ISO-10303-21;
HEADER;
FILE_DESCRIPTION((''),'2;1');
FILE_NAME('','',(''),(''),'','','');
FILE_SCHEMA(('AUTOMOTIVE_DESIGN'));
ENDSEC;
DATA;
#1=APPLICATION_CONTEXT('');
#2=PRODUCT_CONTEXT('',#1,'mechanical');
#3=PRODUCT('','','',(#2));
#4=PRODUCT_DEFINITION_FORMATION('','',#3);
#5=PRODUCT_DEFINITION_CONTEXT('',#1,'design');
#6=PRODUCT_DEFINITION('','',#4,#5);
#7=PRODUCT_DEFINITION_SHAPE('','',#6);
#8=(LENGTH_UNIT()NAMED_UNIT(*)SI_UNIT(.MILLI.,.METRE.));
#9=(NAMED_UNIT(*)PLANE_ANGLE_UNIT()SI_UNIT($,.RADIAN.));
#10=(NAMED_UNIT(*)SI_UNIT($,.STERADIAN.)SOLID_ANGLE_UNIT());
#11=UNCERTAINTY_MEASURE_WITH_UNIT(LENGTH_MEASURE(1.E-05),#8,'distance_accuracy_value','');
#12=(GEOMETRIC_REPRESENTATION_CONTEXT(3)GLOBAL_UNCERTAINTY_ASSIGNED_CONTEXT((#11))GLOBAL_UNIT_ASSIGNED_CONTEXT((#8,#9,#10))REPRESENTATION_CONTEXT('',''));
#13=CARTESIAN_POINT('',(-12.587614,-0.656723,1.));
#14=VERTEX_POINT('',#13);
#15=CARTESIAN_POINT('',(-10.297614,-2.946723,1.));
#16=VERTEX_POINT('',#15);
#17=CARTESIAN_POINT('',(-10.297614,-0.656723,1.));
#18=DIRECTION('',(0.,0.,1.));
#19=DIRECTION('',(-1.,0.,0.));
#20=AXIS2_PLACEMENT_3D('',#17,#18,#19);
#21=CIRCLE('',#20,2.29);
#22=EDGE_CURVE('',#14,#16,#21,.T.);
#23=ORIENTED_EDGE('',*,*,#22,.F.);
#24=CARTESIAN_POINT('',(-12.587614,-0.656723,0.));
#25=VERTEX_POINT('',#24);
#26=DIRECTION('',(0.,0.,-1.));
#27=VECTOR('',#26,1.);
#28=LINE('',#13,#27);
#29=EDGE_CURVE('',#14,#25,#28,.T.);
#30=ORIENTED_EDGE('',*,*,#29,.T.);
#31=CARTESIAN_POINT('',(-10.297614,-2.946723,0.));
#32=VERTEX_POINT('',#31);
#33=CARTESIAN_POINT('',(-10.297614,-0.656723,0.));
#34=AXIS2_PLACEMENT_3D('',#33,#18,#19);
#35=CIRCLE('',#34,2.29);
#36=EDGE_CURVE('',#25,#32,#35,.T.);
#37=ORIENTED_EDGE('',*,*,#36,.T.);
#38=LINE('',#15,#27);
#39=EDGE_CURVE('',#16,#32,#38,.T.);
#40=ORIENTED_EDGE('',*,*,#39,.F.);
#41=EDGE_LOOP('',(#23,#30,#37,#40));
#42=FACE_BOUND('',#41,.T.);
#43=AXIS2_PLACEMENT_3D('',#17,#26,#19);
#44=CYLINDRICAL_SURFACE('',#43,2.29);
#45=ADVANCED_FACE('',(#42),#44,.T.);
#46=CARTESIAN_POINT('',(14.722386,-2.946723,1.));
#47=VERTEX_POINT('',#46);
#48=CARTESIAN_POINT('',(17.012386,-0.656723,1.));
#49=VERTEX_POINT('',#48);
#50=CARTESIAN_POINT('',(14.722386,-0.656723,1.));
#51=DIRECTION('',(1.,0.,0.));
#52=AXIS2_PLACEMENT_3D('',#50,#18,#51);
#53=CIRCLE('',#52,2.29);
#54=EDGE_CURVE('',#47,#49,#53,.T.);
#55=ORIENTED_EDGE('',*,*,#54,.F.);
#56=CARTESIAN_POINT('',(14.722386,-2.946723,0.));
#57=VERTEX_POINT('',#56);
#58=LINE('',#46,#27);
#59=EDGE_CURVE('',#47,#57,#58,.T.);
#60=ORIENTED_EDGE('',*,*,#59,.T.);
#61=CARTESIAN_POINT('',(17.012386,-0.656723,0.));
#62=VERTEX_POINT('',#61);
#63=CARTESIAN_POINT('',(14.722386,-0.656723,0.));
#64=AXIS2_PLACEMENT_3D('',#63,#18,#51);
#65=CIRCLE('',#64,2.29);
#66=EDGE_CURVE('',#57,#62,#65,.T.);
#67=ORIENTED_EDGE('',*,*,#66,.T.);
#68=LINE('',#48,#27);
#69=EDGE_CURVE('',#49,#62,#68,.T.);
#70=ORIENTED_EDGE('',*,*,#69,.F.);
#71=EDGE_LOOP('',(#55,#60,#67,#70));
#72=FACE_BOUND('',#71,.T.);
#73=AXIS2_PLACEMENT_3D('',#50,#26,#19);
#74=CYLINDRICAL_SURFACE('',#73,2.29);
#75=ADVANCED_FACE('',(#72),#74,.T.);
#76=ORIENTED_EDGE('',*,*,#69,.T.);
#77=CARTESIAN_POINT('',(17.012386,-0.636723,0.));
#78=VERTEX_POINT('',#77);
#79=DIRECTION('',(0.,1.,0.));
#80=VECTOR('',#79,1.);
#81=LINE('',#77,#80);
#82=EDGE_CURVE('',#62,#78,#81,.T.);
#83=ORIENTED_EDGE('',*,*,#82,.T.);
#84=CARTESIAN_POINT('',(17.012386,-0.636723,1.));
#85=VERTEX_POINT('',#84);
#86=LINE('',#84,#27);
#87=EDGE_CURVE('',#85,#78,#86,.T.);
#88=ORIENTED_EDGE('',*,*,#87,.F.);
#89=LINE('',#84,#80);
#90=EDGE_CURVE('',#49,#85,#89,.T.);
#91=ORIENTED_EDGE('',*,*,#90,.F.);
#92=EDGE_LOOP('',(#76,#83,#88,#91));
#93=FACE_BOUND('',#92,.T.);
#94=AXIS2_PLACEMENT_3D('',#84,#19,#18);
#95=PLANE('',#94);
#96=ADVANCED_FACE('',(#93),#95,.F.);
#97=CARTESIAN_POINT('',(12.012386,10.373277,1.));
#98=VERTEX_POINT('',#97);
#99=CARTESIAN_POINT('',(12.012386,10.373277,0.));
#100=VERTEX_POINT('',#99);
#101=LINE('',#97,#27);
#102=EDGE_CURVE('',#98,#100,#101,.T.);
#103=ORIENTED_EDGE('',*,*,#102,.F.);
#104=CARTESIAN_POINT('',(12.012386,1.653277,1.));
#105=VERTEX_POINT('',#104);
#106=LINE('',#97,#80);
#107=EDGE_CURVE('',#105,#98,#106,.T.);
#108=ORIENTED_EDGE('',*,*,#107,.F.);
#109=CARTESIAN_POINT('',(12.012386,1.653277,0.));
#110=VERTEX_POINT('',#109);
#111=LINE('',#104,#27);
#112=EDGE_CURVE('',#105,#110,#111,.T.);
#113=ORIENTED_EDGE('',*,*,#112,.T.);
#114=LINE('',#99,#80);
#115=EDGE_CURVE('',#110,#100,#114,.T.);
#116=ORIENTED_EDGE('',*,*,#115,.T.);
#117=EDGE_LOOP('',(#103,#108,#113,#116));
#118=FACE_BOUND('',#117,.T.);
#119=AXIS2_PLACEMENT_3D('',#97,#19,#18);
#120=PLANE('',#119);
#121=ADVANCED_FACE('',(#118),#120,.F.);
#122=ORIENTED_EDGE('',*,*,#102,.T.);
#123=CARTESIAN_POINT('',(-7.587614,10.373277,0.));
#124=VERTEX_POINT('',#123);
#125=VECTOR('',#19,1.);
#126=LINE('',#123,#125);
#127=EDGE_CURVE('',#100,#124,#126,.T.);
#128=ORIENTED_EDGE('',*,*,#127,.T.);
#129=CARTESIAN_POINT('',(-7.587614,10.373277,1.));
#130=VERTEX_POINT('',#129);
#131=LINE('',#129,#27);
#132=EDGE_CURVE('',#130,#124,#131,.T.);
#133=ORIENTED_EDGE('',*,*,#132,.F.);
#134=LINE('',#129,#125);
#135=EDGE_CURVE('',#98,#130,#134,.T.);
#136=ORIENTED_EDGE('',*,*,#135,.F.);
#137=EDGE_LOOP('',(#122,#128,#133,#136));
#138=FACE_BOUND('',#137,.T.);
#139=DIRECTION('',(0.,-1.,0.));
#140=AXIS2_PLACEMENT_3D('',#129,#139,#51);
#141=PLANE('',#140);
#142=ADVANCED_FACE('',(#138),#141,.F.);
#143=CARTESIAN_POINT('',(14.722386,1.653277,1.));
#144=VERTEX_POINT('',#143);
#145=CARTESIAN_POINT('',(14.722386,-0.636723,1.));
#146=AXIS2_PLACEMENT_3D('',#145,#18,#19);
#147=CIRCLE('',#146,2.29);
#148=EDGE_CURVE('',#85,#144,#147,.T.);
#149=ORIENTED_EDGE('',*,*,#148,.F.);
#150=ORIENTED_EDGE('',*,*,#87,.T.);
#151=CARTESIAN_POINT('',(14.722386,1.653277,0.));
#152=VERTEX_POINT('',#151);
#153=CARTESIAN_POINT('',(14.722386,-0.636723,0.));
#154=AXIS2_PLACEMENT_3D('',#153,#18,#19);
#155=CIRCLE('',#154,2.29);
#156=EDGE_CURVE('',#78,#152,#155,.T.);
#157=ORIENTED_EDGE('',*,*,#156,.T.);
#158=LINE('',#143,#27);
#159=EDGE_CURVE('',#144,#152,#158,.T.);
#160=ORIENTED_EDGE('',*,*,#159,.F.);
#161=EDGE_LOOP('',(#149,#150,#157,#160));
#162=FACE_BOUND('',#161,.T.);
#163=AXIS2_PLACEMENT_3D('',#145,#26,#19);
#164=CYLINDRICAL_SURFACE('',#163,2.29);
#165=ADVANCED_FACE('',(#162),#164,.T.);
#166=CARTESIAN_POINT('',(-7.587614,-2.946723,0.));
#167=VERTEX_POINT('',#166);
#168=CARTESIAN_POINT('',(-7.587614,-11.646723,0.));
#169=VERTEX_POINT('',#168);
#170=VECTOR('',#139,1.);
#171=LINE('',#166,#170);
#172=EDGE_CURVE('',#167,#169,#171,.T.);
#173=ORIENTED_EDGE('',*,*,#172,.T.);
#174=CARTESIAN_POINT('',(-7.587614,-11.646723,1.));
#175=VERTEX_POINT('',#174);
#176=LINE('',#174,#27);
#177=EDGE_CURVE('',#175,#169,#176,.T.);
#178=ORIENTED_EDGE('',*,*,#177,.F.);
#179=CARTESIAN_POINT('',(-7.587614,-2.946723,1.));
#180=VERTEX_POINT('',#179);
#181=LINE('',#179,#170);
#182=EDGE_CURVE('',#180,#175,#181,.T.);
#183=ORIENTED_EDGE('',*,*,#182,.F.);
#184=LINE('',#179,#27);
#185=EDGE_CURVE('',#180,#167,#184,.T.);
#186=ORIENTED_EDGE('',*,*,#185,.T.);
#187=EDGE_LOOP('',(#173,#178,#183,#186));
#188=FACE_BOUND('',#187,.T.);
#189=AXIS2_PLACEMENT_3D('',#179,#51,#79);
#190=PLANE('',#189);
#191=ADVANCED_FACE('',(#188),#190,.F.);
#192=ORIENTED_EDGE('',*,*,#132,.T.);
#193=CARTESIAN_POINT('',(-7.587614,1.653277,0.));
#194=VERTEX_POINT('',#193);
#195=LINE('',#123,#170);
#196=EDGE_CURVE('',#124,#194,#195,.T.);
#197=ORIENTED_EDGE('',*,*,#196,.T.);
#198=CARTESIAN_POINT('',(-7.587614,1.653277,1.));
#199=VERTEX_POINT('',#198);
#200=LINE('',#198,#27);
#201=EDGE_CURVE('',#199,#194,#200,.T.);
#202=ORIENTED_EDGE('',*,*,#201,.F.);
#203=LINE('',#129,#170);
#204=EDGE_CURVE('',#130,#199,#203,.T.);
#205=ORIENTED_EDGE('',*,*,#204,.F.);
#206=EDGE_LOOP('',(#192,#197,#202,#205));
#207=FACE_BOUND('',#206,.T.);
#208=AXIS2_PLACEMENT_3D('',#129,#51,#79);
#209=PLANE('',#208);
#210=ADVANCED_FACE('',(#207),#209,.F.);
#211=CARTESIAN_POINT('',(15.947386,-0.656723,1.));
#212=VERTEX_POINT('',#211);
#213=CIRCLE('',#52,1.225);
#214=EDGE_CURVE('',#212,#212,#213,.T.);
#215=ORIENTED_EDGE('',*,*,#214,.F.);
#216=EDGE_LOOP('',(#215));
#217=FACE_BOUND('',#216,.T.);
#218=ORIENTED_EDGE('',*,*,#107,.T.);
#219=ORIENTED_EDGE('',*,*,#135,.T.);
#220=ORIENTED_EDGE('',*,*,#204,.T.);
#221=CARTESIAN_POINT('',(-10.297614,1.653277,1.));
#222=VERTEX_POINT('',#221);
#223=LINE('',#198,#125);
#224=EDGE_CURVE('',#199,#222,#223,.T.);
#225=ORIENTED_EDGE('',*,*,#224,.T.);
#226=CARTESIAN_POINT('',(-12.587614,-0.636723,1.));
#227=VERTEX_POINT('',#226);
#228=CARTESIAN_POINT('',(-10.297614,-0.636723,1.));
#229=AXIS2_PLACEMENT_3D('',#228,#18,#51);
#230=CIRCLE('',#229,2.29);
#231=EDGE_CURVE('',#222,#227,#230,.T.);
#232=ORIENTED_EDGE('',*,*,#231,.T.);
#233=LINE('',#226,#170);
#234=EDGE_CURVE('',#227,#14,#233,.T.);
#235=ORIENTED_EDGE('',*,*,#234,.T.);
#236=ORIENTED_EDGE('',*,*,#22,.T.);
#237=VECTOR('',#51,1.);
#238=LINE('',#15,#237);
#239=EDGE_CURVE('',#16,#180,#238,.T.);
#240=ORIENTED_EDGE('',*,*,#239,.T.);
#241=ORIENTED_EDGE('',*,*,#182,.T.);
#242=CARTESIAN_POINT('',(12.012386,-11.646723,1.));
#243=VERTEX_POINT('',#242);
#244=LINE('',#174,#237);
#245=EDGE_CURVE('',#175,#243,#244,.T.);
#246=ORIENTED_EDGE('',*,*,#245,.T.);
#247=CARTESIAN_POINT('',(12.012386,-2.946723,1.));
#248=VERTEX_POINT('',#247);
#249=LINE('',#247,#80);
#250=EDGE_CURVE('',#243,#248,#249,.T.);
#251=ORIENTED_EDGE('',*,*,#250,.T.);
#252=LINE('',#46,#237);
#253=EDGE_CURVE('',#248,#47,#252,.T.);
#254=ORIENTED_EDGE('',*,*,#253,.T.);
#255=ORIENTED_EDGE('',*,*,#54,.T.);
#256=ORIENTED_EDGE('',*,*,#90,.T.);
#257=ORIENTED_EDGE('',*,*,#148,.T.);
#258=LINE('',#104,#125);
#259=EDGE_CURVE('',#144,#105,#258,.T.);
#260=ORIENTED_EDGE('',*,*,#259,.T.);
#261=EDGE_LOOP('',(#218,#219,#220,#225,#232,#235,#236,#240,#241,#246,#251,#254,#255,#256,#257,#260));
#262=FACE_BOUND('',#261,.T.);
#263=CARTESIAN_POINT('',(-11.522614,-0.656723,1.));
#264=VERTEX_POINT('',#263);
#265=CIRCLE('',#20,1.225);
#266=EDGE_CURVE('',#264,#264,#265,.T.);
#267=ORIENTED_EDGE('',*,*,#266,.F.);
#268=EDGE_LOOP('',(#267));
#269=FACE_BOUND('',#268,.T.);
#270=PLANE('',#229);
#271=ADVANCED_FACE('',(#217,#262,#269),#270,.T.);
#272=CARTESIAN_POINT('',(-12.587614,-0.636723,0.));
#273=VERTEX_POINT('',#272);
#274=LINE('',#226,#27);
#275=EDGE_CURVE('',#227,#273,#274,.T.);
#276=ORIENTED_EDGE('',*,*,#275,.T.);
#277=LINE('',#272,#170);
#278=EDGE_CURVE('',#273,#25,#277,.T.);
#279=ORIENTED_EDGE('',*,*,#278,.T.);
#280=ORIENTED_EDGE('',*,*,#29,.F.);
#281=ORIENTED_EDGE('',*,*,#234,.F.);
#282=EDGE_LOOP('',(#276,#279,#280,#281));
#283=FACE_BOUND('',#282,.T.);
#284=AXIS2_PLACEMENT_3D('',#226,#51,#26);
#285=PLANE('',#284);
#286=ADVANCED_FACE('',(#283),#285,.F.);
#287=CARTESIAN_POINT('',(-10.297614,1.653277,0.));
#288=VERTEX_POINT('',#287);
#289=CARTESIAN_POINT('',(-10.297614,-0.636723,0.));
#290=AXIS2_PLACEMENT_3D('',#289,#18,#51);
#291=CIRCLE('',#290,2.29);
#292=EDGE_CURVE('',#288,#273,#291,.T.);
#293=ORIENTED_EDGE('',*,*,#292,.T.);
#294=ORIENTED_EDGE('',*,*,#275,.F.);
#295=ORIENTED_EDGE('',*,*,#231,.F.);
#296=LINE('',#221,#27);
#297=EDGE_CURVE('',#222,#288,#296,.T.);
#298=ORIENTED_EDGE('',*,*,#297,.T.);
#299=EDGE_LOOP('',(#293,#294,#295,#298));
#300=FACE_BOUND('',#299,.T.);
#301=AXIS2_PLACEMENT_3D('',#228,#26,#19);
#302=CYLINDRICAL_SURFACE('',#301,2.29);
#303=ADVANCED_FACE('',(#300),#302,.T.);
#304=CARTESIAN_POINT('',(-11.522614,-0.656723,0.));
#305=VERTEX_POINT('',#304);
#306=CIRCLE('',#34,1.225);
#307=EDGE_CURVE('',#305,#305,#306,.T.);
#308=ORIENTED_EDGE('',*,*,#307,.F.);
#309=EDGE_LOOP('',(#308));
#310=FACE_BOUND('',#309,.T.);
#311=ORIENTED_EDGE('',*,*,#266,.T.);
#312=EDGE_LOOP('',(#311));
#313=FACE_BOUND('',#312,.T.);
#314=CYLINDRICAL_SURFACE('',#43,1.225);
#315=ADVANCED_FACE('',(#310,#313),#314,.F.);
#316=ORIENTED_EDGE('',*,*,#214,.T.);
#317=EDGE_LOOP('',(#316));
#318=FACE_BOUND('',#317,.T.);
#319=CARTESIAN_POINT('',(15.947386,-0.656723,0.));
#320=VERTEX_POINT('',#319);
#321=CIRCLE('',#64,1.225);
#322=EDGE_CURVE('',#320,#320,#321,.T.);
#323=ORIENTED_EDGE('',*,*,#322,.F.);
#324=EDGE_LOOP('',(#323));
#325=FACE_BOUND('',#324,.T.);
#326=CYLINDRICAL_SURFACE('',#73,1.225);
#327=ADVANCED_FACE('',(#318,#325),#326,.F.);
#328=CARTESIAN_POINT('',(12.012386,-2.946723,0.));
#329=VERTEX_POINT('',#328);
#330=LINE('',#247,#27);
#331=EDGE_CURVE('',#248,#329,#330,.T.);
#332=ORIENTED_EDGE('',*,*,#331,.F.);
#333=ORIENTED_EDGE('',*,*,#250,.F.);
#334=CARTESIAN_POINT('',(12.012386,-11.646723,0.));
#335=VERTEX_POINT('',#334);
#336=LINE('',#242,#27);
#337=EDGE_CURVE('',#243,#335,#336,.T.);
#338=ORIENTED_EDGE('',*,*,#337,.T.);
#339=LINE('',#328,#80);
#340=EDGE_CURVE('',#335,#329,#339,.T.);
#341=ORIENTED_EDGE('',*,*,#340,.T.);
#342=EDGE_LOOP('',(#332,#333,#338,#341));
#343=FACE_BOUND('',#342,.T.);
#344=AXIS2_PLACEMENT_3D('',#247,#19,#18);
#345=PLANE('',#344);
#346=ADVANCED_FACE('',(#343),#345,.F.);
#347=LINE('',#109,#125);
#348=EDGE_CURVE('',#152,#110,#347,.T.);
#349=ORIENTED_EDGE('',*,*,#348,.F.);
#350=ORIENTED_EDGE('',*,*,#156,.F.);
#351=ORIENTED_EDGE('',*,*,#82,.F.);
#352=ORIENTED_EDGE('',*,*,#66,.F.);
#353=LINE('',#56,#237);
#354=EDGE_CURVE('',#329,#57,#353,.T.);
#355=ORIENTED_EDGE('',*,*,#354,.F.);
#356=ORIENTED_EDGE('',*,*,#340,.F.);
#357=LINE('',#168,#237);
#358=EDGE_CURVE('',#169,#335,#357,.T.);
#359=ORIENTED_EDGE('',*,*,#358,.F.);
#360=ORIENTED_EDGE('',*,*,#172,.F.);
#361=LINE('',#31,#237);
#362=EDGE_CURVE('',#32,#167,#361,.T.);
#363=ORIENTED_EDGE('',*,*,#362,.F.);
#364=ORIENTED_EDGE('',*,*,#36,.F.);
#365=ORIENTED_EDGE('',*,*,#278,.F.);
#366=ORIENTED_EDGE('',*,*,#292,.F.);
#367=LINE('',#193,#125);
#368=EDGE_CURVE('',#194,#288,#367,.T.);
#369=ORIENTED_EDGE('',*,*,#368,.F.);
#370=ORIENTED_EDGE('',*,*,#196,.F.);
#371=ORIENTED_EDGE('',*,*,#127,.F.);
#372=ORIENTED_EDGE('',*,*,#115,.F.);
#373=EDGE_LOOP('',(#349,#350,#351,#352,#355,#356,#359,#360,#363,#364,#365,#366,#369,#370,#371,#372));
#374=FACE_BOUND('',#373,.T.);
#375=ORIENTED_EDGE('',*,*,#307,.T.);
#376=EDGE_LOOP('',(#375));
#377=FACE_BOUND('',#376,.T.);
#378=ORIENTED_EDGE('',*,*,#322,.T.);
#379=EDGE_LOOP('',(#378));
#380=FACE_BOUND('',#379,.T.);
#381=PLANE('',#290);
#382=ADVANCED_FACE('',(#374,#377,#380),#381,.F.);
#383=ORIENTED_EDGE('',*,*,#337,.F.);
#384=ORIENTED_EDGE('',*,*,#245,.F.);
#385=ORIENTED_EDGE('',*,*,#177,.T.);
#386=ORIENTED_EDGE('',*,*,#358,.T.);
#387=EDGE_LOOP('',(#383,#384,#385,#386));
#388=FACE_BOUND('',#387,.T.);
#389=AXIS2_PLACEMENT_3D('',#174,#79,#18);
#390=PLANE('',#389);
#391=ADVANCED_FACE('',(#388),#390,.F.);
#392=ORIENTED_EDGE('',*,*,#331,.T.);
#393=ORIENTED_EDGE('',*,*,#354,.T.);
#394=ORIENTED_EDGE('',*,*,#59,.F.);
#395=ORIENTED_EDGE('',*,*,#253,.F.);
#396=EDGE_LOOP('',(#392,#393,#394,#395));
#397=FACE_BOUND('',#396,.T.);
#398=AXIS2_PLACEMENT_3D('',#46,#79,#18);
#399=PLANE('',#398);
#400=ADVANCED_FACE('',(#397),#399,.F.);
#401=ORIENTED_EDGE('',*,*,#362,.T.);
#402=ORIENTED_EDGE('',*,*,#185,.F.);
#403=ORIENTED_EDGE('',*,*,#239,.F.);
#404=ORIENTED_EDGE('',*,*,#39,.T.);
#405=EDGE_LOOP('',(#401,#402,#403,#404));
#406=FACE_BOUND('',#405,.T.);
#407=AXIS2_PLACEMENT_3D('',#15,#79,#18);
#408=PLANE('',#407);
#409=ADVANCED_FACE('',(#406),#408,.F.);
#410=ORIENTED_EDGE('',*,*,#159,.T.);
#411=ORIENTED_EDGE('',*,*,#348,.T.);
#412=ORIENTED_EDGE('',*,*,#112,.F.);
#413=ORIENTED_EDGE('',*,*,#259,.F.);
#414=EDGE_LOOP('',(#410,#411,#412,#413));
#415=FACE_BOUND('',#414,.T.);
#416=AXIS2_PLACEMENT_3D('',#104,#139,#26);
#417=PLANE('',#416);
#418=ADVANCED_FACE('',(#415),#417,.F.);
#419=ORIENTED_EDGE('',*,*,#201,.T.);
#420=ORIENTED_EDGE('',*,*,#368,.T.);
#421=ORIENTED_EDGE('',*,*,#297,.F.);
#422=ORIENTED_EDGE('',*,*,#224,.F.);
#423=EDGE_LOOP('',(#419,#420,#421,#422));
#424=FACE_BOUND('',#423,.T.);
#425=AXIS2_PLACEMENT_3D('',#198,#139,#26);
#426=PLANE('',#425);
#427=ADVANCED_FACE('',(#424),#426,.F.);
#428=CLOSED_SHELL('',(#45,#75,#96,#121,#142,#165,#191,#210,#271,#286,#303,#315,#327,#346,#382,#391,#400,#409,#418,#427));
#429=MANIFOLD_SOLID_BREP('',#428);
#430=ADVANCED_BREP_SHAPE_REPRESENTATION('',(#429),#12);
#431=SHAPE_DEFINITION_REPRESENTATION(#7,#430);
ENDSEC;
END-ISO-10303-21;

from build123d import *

# Parameters (mm, degrees)
SZKIC1_R                    = 1.225
DODANIE_WYCI_GNI_CIE1_DEPTH = 1


with BuildPart() as part:
    # Szkic1 → Dodanie-wyciągnięcie1 (new body)
    with BuildSketch(Plane.XY):
        with BuildLine():
            Line((-7.587614458, 10.373277108), (12.012385542, 10.373277108))
            Line((12.012385542, 10.373277108), (12.012385542, 1.653277108))
            Line((12.012385542, 1.653277108), (14.722385542, 1.653277108))
            ThreePointArc((14.722385542, 1.653277108), (16.341660071, 0.982551637), (17.012385542, -0.636722892))
            Line((17.012385542, -0.636722892), (17.012385542, -0.656722892))
            ThreePointArc((17.012385542, -0.656722892), (16.341660071, -2.27599742), (14.722385542, -2.946722892))
            Line((14.722385542, -2.946722892), (12.012385542, -2.946722892))
            Line((12.012385542, -2.946722892), (12.012385542, -11.646722892))
            Line((12.012385542, -11.646722892), (-7.587614458, -11.646722892))
            Line((-7.587614458, -11.646722892), (-7.587614458, -2.946722892))
            Line((-7.587614458, -2.946722892), (-10.297614458, -2.946722892))
            ThreePointArc((-10.297614458, -2.946722892), (-11.916888987, -2.27599742), (-12.587614458, -0.656722892))
            Line((-12.587614458, -0.656722892), (-12.587614458, -0.636722892))
            ThreePointArc((-12.587614458, -0.636722892), (-11.916888987, 0.982551637), (-10.297614458, 1.653277108))
            Line((-10.297614458, 1.653277108), (-7.587614458, 1.653277108))
            Line((-7.587614458, 1.653277108), (-7.587614458, 10.373277108))
        make_face()
        with Locations((14.722385542, -0.656722892)):
            Circle(SZKIC1_R, mode=Mode.SUBTRACT)
        with Locations(Location((-10.297614458, -0.656722892, 0), (0, 0, 180))):
            Circle(SZKIC1_R, mode=Mode.SUBTRACT)
    extrude(amount=DODANIE_WYCI_GNI_CIE1_DEPTH)


solid = part.part
